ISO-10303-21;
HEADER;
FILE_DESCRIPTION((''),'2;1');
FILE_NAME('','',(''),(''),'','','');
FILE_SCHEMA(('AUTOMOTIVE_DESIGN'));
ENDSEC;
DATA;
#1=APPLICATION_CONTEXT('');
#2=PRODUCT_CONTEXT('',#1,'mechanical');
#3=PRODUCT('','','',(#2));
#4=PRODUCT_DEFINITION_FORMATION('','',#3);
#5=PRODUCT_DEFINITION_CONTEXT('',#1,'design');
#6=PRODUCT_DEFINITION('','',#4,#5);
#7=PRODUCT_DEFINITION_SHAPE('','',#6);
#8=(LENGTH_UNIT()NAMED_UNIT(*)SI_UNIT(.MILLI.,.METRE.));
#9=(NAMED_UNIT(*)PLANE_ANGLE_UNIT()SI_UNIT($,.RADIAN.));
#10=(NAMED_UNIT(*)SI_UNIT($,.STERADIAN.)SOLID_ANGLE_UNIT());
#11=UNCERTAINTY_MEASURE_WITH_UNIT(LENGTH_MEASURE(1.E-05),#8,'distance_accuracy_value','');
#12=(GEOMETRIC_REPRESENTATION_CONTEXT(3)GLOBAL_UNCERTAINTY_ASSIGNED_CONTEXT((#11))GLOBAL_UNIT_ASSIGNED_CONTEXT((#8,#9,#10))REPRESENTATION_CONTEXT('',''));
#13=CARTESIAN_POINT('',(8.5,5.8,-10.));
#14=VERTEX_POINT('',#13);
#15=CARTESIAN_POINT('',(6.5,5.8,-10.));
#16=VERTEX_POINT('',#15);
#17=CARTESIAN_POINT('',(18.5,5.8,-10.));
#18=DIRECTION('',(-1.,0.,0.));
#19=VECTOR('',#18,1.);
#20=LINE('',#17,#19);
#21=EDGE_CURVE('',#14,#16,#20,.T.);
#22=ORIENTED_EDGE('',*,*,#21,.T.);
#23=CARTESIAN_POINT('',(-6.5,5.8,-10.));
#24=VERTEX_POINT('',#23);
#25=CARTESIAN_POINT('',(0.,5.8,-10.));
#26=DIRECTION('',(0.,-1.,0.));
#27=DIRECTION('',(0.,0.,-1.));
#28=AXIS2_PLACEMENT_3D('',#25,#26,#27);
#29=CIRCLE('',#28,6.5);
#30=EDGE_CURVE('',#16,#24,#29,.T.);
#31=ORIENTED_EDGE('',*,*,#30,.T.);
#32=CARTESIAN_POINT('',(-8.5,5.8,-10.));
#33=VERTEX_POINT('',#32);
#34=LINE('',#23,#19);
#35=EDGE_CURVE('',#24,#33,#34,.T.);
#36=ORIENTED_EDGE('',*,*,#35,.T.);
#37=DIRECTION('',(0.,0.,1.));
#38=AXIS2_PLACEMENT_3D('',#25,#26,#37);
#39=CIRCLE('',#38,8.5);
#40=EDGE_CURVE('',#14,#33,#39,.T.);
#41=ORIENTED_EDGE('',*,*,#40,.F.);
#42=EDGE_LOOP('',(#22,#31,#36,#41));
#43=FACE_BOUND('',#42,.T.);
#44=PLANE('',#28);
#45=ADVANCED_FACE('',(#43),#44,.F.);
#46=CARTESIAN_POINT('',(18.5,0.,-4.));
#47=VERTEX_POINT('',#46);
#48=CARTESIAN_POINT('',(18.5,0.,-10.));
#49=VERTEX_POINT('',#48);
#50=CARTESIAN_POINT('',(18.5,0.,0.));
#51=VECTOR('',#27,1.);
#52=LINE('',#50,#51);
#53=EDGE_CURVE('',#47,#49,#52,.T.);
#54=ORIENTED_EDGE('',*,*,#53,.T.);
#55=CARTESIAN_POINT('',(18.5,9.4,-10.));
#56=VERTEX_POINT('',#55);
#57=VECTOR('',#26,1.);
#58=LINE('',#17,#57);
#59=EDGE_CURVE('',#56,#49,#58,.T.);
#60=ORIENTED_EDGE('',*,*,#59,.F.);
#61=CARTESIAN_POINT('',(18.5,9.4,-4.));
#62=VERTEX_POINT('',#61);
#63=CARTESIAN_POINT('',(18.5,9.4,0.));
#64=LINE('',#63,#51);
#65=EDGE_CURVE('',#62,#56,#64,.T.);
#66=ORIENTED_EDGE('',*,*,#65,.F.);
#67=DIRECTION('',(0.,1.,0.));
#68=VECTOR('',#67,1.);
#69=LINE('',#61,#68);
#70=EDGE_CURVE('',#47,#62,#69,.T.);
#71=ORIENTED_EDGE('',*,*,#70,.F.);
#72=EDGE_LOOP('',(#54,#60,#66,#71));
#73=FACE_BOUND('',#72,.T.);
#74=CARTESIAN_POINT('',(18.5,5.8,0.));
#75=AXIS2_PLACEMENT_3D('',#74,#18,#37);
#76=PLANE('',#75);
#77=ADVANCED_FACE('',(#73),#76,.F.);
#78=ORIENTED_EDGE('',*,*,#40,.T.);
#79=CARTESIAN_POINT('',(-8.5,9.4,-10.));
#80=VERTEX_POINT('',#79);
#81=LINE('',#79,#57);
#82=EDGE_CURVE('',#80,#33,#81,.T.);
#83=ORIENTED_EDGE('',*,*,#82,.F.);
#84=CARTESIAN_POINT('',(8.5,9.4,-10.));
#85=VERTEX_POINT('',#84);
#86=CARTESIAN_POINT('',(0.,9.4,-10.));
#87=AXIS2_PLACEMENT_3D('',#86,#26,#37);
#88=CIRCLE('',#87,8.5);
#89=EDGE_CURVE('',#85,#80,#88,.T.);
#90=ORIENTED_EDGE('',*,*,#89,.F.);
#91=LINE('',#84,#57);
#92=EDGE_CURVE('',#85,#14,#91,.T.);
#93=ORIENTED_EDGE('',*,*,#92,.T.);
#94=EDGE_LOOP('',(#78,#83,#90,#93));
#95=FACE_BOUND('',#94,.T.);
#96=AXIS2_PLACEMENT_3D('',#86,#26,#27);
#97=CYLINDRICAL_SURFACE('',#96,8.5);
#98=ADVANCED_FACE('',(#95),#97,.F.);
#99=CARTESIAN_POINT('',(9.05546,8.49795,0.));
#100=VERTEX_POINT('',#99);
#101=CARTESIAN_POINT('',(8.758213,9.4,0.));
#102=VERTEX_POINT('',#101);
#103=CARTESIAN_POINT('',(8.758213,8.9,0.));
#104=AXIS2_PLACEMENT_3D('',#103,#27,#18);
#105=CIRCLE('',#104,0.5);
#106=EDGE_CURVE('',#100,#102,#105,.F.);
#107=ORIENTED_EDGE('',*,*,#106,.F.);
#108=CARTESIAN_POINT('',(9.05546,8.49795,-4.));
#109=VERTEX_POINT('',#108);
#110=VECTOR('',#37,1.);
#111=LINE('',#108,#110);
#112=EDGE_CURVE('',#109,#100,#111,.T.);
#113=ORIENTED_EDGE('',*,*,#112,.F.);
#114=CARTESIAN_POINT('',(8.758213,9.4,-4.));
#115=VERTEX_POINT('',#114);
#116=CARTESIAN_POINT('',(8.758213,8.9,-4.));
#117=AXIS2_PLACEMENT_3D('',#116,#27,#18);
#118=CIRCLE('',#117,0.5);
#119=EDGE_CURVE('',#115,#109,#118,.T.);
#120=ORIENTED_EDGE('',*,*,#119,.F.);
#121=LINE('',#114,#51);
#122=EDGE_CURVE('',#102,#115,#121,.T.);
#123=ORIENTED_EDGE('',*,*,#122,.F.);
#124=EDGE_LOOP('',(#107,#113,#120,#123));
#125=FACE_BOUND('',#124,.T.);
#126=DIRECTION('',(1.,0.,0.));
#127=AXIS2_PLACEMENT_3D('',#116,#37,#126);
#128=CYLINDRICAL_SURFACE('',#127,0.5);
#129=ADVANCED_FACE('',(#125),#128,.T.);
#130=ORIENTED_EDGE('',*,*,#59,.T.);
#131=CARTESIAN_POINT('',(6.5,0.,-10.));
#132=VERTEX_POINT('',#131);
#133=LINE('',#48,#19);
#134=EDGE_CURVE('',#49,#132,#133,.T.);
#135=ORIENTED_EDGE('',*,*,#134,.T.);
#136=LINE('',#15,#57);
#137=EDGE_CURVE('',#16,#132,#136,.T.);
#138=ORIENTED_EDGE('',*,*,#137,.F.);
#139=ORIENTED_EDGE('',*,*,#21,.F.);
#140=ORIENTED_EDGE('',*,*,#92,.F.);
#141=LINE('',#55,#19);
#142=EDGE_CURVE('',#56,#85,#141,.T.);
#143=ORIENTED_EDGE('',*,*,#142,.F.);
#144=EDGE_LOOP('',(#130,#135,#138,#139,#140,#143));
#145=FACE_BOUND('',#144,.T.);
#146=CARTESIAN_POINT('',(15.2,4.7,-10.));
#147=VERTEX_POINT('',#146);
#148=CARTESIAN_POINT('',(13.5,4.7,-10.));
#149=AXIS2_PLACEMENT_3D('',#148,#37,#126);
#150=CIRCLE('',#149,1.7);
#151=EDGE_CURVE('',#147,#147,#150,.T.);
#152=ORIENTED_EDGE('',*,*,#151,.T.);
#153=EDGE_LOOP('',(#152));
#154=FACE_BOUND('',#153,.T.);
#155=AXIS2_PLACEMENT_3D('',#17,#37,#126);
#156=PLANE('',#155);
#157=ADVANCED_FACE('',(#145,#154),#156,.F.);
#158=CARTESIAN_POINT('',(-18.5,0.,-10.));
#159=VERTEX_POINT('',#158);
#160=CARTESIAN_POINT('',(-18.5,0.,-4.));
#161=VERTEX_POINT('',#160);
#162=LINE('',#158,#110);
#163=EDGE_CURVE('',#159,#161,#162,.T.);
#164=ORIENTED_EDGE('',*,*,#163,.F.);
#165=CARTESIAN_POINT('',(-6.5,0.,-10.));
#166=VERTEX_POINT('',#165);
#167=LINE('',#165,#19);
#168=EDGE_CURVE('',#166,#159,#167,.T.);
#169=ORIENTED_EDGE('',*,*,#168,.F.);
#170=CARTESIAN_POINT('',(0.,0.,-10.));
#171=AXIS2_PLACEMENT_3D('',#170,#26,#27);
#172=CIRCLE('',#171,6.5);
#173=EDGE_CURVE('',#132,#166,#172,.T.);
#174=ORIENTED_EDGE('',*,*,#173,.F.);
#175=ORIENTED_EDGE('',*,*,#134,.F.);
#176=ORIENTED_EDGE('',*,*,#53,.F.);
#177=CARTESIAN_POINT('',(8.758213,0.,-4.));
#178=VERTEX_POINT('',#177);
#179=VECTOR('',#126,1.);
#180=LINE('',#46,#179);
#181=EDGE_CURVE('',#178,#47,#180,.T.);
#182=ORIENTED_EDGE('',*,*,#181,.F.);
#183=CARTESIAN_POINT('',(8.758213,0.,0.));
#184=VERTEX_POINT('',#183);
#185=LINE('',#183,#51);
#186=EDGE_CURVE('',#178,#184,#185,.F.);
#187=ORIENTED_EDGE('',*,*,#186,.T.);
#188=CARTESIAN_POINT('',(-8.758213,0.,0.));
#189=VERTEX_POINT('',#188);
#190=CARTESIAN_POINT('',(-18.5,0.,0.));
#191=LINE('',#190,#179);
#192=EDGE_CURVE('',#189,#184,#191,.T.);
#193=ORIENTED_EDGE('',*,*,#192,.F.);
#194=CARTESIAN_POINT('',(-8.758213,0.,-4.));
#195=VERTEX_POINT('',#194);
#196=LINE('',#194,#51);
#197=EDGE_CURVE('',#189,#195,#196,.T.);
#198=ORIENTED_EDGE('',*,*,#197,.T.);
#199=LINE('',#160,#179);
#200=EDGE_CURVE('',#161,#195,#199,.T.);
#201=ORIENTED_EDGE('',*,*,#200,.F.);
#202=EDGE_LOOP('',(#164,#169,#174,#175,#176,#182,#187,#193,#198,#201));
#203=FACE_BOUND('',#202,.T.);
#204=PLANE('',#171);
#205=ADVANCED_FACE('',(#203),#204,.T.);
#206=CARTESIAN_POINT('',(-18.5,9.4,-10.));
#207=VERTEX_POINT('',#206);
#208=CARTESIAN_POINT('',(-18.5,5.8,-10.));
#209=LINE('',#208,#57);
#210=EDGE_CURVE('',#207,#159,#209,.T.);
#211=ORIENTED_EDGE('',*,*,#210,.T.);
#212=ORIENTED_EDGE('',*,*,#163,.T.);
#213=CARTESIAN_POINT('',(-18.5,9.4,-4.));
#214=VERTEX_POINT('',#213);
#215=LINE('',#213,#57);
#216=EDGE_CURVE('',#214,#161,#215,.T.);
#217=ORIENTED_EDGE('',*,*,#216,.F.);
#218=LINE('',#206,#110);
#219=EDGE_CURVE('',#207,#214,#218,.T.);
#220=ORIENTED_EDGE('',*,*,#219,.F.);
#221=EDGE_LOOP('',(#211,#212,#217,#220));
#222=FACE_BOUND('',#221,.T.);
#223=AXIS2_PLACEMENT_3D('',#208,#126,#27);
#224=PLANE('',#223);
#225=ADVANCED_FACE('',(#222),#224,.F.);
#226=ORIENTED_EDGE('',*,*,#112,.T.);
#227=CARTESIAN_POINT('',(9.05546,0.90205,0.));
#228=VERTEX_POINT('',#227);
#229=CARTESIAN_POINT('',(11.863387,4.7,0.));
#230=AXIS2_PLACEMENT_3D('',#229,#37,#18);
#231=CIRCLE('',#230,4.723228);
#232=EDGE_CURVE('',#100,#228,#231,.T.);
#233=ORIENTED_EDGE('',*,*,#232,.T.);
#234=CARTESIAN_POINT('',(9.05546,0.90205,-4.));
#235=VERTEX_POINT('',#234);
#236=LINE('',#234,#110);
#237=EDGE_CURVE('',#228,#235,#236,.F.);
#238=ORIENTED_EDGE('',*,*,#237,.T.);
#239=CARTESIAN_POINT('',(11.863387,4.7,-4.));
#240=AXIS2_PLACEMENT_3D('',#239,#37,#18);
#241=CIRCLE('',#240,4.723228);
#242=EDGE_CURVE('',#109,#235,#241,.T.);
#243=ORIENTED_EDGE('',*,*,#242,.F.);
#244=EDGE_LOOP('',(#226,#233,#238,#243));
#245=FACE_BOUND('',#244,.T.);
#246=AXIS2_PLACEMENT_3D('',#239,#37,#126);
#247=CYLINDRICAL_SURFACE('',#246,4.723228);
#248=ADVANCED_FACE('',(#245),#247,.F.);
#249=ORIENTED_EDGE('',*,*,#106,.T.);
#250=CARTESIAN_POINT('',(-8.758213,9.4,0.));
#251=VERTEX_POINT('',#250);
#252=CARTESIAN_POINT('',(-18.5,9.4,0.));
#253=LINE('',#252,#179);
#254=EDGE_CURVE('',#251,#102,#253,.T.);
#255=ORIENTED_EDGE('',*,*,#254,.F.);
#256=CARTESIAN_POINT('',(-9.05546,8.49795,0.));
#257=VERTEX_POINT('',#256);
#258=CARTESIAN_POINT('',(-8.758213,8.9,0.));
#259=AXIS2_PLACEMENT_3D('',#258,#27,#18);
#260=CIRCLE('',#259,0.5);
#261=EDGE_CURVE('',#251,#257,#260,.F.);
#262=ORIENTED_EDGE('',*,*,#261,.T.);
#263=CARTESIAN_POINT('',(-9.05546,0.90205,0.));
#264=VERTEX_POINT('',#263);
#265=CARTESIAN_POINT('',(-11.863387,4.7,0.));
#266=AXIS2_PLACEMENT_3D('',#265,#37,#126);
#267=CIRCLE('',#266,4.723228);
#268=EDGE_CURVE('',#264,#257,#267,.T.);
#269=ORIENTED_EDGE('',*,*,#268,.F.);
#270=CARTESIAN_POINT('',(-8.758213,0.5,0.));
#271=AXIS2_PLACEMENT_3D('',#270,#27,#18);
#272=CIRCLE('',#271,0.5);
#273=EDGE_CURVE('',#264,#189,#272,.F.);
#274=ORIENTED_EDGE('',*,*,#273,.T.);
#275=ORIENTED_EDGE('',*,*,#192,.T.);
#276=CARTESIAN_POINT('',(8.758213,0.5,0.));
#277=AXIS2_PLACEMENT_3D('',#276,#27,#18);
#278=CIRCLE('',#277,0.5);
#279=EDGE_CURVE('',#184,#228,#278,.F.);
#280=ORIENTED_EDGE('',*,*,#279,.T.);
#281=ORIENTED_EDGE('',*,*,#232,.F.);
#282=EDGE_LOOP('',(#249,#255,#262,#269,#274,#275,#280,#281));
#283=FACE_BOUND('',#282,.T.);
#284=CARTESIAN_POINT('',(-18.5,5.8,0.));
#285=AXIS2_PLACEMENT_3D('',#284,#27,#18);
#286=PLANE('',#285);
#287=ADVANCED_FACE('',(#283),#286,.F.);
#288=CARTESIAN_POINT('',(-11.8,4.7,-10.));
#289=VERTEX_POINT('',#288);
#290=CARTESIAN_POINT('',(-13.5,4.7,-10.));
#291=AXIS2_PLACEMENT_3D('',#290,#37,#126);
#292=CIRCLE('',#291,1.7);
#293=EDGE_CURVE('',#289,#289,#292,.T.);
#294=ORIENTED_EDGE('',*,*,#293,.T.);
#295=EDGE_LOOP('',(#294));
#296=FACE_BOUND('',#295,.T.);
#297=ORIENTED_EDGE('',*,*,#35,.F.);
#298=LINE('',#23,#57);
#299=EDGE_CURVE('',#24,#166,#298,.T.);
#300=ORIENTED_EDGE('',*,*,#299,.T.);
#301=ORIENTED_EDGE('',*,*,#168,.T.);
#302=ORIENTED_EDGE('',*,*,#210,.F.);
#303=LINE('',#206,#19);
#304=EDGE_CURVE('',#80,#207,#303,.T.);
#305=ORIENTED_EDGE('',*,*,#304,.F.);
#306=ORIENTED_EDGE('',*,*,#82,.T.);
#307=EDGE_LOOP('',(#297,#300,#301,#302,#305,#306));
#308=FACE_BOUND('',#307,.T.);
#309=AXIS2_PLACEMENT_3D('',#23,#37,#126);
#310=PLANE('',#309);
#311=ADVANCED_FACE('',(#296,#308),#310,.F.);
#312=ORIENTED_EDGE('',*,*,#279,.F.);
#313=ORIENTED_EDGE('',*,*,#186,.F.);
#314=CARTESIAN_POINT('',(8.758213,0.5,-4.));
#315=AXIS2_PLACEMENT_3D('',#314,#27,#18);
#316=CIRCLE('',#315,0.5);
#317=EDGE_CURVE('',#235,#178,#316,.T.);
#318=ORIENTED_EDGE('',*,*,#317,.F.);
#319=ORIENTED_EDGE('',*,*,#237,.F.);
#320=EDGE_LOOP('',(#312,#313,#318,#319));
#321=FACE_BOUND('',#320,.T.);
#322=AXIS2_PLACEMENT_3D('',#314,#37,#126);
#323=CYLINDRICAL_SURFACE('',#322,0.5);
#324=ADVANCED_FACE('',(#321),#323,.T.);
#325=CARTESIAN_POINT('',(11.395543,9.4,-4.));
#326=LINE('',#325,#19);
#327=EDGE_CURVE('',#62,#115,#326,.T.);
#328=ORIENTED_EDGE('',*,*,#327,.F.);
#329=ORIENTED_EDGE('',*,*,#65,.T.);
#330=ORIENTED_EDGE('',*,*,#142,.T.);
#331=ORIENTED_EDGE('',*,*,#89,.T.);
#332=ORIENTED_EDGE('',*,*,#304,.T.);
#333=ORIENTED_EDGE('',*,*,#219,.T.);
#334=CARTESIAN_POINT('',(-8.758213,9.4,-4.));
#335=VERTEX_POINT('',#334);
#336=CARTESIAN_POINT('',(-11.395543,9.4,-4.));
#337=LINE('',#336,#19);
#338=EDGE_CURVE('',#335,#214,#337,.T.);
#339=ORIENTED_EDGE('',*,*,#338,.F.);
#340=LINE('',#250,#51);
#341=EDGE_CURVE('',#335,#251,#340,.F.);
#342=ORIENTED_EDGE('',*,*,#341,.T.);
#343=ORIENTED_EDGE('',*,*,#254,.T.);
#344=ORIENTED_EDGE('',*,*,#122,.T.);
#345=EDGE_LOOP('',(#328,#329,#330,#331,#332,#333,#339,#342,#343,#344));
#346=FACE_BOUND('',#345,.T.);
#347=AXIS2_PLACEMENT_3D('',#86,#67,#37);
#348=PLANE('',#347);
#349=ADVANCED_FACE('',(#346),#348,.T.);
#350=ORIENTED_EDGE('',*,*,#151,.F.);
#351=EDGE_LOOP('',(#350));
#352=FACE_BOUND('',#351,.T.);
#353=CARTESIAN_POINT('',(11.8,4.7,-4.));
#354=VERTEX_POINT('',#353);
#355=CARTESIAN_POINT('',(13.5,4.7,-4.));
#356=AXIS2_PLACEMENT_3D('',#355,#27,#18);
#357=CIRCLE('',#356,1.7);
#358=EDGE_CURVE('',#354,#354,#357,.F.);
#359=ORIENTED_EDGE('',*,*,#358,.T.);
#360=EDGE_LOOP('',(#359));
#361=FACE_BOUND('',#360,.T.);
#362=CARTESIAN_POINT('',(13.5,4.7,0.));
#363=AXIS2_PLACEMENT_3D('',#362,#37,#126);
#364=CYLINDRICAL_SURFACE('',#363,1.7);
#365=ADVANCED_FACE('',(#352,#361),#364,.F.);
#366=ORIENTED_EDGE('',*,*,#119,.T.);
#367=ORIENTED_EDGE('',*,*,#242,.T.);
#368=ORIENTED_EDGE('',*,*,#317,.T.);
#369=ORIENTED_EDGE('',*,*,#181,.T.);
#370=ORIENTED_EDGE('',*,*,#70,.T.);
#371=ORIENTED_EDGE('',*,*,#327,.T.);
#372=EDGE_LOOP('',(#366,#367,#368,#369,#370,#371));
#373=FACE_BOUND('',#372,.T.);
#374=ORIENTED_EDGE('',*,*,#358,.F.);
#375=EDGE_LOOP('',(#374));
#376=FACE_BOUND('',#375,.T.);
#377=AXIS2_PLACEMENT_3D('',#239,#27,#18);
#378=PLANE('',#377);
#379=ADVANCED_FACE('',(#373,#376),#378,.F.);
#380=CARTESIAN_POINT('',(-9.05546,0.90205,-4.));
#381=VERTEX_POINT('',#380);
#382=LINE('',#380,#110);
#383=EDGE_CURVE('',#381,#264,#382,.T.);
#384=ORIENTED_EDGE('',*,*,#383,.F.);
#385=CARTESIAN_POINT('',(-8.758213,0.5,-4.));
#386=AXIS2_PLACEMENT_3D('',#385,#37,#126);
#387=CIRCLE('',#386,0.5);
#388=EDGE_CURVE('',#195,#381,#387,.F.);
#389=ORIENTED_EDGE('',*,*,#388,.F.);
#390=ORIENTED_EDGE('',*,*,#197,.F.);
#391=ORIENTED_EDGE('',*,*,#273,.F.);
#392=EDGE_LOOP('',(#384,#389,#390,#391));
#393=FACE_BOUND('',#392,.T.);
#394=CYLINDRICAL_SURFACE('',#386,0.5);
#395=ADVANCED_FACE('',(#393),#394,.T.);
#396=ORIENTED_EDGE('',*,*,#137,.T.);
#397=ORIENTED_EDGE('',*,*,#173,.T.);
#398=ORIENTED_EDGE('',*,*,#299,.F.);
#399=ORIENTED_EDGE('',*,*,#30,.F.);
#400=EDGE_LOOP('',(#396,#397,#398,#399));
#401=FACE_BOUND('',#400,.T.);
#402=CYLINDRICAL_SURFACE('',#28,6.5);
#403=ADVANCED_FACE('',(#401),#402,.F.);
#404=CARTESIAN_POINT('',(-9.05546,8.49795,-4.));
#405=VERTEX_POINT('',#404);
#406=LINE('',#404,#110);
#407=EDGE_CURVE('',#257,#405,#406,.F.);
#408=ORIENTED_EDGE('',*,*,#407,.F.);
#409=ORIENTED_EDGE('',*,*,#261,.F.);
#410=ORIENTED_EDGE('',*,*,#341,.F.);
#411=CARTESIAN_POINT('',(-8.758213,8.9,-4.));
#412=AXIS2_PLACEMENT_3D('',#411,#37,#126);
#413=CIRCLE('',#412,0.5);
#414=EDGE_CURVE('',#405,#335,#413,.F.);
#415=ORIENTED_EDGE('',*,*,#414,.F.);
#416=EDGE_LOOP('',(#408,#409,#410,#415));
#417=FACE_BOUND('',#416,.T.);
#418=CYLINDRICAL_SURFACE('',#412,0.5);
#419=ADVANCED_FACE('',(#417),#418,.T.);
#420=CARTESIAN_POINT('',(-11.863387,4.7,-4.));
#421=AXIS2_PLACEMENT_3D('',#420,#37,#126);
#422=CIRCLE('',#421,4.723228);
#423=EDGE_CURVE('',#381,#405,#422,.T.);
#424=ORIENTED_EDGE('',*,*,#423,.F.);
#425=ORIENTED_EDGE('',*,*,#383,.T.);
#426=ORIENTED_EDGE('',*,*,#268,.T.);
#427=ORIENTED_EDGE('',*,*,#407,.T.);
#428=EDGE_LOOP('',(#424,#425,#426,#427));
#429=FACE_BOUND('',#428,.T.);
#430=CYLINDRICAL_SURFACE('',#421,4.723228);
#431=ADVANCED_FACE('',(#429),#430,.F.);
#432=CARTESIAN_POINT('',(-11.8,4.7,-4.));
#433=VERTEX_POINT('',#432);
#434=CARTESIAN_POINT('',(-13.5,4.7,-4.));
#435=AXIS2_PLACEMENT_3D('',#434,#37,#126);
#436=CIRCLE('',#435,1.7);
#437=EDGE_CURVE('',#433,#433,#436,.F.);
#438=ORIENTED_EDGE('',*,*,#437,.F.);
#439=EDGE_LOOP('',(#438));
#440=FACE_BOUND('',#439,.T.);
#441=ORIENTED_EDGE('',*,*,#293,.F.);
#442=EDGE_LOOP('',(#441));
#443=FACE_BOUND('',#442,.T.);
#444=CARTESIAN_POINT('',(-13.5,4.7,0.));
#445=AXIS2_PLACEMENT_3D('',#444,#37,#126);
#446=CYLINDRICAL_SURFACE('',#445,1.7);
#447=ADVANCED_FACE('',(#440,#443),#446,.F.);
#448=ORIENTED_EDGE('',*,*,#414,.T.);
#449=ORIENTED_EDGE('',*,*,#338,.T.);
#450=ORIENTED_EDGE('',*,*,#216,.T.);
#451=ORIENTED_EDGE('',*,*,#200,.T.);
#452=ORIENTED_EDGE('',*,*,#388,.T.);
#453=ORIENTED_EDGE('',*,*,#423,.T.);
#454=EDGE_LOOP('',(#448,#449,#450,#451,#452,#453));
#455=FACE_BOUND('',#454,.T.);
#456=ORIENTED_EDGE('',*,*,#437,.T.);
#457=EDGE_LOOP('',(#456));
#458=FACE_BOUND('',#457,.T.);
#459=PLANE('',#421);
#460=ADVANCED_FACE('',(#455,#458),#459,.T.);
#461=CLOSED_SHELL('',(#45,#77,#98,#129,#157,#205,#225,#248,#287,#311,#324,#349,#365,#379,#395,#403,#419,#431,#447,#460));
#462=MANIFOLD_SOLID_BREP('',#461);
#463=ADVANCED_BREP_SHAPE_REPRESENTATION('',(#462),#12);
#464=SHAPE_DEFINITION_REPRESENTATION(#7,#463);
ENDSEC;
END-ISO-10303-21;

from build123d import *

# Parameters (mm, degrees)
BOSS_EXTRUDE1_DEPTH  = 5.8
BOSS_EXTRUDE2_DEPTH  = 3.6
M3_CLEARANCE_HOLE1_D = 3.4
CUT_EXTRUDE1_DEPTH   = 4
FILLET1_R            = 0.5


with BuildPart() as part:
    # Sketch1 → Boss-Extrude1 (new body)
    with BuildSketch(Plane(origin=(0, 0, 0), x_dir=(1, 0, 0), z_dir=(0, 1, 0))):
        with BuildLine():
            Line((-18.5, 0), (18.5, 0))
            Line((18.5, 0), (18.5, 10))
            Line((18.5, 10), (6.5, 10))
            ThreePointArc((6.5, 10), (0, 3.5), (-6.5, 10))
            Line((-6.5, 10), (-18.5, 10))
            Line((-18.5, 10), (-18.5, 0))
        make_face()
    extrude(amount=BOSS_EXTRUDE1_DEPTH)

    # Sketch7 → Boss-Extrude2 (add)
    with BuildSketch(Plane(origin=(0, 5.8, 0), x_dir=(1, 0, 0), z_dir=(0, 1, 0))):
        with BuildLine():
            Line((-18.5, 10), (-18.5, 0))
            Line((-18.5, 0), (18.5, 0))
            Line((18.5, 0), (18.5, 10))
            Line((18.5, 10), (8.5, 10))
            ThreePointArc((8.5, 10), (0, 1.5), (-8.5, 10))
            Line((-8.5, 10), (-18.5, 10))
        make_face()
    extrude(amount=BOSS_EXTRUDE2_DEPTH)

    # M3 Clearance Hole1 (through all)
    with Locations(Plane.XY):
        with Locations((-13.5, 4.7), (13.5, 4.7)):
            Hole(M3_CLEARANCE_HOLE1_D / 2)

    # Sketch5 → Cut-Extrude1 (cut)
    with BuildSketch(Plane.XY):
        with BuildLine():
            Line((-11.395542808, 9.4), (-18.5, 9.4))
            Line((-18.5, 9.4), (-18.5, 0))
            Line((-18.5, 0), (-11.395542808, 0))
            ThreePointArc((-11.395542808, 0), (-7.140159789, 4.7), (-11.395542808, 9.4))
        make_face()
        with BuildLine():
            Line((18.5, 0), (11.395542808, 0))
            ThreePointArc((11.395542808, 0), (7.140159789, 4.7), (11.395542808, 9.4))
            Line((11.395542808, 9.4), (18.5, 9.4))
            Line((18.5, 9.4), (18.5, 0))
        make_face()
    extrude(amount=-CUT_EXTRUDE1_DEPTH, mode=Mode.SUBTRACT)

    # Fillet1
    fillet1_edges = [part.edges().sort_by_distance(p)[0] for p in [
        (-11.395542808, 9.4, -2),
        (-11.395542808, 0, -2),
        (11.395542808, 0, -2),
        (11.395542808, 9.4, -2),
    ]]
    fillet(fillet1_edges, radius=FILLET1_R)


solid = part.part
